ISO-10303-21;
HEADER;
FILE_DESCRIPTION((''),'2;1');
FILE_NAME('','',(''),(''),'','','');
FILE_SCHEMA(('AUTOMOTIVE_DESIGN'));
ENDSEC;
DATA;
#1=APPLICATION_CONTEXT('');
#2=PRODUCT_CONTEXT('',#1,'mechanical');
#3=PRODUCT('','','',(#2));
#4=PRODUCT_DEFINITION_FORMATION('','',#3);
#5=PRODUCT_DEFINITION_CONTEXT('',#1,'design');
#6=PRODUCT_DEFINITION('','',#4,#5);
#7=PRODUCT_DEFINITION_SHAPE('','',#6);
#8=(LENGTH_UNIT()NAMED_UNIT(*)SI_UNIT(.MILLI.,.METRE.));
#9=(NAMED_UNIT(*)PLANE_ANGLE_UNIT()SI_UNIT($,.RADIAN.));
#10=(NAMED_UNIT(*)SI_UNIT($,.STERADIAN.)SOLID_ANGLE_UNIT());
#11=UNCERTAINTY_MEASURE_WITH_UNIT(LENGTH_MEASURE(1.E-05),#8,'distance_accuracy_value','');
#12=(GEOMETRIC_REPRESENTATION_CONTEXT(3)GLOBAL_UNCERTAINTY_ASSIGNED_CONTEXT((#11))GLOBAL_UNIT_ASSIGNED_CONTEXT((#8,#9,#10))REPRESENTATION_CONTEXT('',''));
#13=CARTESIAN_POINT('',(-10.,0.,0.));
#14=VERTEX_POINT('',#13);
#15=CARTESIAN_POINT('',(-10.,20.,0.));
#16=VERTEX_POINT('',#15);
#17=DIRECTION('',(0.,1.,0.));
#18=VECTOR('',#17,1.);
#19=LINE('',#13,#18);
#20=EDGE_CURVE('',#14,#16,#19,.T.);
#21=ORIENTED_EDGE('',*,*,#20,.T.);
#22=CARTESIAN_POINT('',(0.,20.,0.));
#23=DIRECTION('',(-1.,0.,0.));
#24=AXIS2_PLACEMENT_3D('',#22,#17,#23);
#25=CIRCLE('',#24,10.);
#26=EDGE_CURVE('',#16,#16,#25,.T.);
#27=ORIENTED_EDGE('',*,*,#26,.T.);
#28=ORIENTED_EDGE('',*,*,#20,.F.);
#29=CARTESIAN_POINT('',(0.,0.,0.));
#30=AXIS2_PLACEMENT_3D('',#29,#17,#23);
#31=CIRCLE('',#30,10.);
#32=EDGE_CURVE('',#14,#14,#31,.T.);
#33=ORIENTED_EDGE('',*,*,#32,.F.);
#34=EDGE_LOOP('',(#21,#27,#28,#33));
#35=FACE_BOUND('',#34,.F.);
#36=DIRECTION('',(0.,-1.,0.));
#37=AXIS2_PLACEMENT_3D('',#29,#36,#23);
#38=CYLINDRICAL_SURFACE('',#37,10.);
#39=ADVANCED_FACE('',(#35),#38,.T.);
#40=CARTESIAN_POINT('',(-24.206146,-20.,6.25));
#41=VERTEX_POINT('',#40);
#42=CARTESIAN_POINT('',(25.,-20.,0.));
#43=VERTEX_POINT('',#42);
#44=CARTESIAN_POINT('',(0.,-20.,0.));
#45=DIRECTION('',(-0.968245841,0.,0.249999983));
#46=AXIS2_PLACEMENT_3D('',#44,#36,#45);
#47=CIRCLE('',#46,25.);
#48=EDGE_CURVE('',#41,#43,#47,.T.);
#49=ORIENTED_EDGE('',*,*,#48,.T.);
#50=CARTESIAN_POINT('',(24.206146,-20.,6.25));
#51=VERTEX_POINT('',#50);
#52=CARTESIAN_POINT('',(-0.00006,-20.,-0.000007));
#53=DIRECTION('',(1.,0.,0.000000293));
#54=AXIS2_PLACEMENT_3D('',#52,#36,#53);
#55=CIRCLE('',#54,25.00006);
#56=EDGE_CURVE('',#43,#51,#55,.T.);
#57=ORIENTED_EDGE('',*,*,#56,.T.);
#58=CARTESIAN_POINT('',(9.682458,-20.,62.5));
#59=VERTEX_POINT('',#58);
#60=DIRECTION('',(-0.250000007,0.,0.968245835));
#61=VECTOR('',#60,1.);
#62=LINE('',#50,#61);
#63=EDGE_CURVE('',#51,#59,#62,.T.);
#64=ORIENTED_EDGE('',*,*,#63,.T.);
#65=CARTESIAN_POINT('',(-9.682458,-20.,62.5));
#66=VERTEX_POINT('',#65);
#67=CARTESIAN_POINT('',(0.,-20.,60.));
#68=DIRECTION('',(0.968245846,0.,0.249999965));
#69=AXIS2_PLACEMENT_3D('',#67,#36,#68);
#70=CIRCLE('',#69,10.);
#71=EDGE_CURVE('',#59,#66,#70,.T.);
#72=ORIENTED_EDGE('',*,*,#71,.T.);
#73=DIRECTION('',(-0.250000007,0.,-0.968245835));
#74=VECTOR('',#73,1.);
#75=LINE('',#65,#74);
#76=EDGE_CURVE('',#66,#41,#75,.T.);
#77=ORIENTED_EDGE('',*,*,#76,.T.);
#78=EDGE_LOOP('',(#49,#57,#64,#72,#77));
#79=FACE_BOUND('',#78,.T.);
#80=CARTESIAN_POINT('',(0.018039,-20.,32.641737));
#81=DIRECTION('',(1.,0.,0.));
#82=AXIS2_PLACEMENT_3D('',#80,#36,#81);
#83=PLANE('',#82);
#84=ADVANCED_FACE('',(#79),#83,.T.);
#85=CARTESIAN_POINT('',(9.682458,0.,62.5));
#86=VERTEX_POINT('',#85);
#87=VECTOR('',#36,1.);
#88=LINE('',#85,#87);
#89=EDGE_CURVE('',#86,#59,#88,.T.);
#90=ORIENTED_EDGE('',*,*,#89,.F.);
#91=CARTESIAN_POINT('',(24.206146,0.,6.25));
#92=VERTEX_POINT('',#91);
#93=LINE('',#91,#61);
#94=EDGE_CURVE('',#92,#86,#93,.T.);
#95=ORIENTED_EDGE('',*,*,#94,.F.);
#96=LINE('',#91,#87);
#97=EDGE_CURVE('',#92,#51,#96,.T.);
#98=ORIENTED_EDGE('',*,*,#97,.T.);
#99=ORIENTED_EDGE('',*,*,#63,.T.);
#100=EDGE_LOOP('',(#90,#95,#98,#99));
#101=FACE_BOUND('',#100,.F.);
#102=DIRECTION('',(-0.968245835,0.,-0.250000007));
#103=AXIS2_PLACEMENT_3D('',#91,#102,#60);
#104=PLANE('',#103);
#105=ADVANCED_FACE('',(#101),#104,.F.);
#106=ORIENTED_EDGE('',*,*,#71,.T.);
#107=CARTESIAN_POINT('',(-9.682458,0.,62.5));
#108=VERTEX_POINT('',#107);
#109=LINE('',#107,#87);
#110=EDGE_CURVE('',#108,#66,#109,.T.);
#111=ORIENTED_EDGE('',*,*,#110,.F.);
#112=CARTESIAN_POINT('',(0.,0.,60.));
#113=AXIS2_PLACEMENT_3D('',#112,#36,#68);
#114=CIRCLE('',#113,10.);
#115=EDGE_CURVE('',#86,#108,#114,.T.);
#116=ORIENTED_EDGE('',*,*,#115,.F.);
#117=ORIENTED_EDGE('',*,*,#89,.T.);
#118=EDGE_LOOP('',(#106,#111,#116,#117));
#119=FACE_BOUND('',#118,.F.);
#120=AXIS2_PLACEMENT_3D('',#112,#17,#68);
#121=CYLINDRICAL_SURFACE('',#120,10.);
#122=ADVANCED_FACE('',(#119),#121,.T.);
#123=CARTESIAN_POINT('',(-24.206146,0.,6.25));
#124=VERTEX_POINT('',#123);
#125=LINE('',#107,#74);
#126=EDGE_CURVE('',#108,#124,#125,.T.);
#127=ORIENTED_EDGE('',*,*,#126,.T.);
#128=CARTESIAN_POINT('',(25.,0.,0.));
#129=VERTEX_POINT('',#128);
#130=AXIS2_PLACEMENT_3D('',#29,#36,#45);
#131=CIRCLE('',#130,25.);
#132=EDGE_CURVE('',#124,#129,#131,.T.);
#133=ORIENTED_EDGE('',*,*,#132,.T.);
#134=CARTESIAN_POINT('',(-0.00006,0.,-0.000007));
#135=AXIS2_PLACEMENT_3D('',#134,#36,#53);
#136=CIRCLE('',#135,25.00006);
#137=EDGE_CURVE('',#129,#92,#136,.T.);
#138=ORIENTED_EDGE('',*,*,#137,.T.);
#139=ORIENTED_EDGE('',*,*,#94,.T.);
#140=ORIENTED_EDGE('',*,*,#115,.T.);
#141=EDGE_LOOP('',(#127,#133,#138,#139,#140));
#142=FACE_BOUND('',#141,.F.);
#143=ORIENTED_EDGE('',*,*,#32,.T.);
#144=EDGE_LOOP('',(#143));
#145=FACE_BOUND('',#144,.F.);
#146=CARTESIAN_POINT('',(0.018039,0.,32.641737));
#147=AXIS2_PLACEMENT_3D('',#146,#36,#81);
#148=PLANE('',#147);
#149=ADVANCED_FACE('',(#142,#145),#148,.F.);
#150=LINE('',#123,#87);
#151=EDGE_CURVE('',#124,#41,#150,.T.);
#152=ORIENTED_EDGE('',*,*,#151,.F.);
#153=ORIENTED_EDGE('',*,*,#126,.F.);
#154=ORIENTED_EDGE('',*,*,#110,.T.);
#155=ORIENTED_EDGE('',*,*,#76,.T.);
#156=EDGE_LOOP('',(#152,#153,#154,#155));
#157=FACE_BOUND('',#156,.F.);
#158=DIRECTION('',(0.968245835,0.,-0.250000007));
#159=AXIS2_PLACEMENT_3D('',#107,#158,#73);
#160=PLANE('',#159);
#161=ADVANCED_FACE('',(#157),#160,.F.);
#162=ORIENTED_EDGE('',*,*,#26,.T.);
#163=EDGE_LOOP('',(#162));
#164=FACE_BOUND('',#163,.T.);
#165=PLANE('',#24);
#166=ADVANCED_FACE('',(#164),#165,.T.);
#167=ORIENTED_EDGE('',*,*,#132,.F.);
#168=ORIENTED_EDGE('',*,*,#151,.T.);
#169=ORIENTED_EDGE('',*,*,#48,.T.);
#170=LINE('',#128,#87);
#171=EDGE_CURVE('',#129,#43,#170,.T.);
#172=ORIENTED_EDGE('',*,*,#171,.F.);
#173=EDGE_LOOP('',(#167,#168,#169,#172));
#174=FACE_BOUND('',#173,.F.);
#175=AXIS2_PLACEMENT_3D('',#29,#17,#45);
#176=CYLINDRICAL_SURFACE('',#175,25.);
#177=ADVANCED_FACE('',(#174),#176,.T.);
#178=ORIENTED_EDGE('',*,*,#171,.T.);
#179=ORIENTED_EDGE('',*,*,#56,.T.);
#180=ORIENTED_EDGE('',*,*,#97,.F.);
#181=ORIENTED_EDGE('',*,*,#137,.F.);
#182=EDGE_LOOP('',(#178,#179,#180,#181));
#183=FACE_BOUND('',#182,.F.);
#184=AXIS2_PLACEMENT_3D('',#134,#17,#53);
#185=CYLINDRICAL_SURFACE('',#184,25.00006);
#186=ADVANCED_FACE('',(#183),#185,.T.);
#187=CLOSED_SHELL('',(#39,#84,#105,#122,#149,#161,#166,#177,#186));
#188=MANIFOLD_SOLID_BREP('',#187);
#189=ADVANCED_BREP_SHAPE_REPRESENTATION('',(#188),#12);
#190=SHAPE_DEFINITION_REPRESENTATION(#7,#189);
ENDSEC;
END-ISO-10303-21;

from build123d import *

# Parameters (mm, degrees)
F1_DEPTH = 20
F2_R     = 10
F3_DEPTH = 20


with BuildPart() as f1:
    # F0 (on Front) → F1 (new body)
    with BuildSketch(Plane.XZ):
        with BuildLine():
            ThreePointArc((-24.206146, 6.25), (0, 25), (24.206146, 6.25))
            Line((24.206146, 6.25), (9.682458, 62.5))
            ThreePointArc((9.682458, 62.5), (9.920297, 61.260043), (10, 60))
            ThreePointArc((10, 60), (-1.260043, 50.079703), (-9.682458, 62.5))
            Line((-9.682458, 62.5), (-24.206146, 6.25))
        make_face()
        with BuildLine():
            ThreePointArc((-24.206146, 6.25), (-3.150107, -24.800742), (25, 0))
            ThreePointArc((25, 0), (24.800742, 3.150107), (24.206146, 6.25))
            ThreePointArc((24.206146, 6.25), (0, 25), (-24.206146, 6.25))
        make_face()
        with BuildLine():
            ThreePointArc((10, 60), (9.920297, 61.260043), (9.682458, 62.5))
            ThreePointArc((9.682458, 62.5), (0, 70), (-9.682458, 62.5))
            ThreePointArc((-9.682458, 62.5), (-1.260043, 50.079703), (10, 60))
        make_face()
    extrude(amount=F1_DEPTH)

    # F2 (on face) → F3 (join)
    with BuildSketch(Plane(origin=(0, 0, 0), x_dir=(-1, 0, 0), z_dir=(0, 1, 0))):
        Circle(F2_R)
    extrude(amount=F3_DEPTH)


solid = f1.part
